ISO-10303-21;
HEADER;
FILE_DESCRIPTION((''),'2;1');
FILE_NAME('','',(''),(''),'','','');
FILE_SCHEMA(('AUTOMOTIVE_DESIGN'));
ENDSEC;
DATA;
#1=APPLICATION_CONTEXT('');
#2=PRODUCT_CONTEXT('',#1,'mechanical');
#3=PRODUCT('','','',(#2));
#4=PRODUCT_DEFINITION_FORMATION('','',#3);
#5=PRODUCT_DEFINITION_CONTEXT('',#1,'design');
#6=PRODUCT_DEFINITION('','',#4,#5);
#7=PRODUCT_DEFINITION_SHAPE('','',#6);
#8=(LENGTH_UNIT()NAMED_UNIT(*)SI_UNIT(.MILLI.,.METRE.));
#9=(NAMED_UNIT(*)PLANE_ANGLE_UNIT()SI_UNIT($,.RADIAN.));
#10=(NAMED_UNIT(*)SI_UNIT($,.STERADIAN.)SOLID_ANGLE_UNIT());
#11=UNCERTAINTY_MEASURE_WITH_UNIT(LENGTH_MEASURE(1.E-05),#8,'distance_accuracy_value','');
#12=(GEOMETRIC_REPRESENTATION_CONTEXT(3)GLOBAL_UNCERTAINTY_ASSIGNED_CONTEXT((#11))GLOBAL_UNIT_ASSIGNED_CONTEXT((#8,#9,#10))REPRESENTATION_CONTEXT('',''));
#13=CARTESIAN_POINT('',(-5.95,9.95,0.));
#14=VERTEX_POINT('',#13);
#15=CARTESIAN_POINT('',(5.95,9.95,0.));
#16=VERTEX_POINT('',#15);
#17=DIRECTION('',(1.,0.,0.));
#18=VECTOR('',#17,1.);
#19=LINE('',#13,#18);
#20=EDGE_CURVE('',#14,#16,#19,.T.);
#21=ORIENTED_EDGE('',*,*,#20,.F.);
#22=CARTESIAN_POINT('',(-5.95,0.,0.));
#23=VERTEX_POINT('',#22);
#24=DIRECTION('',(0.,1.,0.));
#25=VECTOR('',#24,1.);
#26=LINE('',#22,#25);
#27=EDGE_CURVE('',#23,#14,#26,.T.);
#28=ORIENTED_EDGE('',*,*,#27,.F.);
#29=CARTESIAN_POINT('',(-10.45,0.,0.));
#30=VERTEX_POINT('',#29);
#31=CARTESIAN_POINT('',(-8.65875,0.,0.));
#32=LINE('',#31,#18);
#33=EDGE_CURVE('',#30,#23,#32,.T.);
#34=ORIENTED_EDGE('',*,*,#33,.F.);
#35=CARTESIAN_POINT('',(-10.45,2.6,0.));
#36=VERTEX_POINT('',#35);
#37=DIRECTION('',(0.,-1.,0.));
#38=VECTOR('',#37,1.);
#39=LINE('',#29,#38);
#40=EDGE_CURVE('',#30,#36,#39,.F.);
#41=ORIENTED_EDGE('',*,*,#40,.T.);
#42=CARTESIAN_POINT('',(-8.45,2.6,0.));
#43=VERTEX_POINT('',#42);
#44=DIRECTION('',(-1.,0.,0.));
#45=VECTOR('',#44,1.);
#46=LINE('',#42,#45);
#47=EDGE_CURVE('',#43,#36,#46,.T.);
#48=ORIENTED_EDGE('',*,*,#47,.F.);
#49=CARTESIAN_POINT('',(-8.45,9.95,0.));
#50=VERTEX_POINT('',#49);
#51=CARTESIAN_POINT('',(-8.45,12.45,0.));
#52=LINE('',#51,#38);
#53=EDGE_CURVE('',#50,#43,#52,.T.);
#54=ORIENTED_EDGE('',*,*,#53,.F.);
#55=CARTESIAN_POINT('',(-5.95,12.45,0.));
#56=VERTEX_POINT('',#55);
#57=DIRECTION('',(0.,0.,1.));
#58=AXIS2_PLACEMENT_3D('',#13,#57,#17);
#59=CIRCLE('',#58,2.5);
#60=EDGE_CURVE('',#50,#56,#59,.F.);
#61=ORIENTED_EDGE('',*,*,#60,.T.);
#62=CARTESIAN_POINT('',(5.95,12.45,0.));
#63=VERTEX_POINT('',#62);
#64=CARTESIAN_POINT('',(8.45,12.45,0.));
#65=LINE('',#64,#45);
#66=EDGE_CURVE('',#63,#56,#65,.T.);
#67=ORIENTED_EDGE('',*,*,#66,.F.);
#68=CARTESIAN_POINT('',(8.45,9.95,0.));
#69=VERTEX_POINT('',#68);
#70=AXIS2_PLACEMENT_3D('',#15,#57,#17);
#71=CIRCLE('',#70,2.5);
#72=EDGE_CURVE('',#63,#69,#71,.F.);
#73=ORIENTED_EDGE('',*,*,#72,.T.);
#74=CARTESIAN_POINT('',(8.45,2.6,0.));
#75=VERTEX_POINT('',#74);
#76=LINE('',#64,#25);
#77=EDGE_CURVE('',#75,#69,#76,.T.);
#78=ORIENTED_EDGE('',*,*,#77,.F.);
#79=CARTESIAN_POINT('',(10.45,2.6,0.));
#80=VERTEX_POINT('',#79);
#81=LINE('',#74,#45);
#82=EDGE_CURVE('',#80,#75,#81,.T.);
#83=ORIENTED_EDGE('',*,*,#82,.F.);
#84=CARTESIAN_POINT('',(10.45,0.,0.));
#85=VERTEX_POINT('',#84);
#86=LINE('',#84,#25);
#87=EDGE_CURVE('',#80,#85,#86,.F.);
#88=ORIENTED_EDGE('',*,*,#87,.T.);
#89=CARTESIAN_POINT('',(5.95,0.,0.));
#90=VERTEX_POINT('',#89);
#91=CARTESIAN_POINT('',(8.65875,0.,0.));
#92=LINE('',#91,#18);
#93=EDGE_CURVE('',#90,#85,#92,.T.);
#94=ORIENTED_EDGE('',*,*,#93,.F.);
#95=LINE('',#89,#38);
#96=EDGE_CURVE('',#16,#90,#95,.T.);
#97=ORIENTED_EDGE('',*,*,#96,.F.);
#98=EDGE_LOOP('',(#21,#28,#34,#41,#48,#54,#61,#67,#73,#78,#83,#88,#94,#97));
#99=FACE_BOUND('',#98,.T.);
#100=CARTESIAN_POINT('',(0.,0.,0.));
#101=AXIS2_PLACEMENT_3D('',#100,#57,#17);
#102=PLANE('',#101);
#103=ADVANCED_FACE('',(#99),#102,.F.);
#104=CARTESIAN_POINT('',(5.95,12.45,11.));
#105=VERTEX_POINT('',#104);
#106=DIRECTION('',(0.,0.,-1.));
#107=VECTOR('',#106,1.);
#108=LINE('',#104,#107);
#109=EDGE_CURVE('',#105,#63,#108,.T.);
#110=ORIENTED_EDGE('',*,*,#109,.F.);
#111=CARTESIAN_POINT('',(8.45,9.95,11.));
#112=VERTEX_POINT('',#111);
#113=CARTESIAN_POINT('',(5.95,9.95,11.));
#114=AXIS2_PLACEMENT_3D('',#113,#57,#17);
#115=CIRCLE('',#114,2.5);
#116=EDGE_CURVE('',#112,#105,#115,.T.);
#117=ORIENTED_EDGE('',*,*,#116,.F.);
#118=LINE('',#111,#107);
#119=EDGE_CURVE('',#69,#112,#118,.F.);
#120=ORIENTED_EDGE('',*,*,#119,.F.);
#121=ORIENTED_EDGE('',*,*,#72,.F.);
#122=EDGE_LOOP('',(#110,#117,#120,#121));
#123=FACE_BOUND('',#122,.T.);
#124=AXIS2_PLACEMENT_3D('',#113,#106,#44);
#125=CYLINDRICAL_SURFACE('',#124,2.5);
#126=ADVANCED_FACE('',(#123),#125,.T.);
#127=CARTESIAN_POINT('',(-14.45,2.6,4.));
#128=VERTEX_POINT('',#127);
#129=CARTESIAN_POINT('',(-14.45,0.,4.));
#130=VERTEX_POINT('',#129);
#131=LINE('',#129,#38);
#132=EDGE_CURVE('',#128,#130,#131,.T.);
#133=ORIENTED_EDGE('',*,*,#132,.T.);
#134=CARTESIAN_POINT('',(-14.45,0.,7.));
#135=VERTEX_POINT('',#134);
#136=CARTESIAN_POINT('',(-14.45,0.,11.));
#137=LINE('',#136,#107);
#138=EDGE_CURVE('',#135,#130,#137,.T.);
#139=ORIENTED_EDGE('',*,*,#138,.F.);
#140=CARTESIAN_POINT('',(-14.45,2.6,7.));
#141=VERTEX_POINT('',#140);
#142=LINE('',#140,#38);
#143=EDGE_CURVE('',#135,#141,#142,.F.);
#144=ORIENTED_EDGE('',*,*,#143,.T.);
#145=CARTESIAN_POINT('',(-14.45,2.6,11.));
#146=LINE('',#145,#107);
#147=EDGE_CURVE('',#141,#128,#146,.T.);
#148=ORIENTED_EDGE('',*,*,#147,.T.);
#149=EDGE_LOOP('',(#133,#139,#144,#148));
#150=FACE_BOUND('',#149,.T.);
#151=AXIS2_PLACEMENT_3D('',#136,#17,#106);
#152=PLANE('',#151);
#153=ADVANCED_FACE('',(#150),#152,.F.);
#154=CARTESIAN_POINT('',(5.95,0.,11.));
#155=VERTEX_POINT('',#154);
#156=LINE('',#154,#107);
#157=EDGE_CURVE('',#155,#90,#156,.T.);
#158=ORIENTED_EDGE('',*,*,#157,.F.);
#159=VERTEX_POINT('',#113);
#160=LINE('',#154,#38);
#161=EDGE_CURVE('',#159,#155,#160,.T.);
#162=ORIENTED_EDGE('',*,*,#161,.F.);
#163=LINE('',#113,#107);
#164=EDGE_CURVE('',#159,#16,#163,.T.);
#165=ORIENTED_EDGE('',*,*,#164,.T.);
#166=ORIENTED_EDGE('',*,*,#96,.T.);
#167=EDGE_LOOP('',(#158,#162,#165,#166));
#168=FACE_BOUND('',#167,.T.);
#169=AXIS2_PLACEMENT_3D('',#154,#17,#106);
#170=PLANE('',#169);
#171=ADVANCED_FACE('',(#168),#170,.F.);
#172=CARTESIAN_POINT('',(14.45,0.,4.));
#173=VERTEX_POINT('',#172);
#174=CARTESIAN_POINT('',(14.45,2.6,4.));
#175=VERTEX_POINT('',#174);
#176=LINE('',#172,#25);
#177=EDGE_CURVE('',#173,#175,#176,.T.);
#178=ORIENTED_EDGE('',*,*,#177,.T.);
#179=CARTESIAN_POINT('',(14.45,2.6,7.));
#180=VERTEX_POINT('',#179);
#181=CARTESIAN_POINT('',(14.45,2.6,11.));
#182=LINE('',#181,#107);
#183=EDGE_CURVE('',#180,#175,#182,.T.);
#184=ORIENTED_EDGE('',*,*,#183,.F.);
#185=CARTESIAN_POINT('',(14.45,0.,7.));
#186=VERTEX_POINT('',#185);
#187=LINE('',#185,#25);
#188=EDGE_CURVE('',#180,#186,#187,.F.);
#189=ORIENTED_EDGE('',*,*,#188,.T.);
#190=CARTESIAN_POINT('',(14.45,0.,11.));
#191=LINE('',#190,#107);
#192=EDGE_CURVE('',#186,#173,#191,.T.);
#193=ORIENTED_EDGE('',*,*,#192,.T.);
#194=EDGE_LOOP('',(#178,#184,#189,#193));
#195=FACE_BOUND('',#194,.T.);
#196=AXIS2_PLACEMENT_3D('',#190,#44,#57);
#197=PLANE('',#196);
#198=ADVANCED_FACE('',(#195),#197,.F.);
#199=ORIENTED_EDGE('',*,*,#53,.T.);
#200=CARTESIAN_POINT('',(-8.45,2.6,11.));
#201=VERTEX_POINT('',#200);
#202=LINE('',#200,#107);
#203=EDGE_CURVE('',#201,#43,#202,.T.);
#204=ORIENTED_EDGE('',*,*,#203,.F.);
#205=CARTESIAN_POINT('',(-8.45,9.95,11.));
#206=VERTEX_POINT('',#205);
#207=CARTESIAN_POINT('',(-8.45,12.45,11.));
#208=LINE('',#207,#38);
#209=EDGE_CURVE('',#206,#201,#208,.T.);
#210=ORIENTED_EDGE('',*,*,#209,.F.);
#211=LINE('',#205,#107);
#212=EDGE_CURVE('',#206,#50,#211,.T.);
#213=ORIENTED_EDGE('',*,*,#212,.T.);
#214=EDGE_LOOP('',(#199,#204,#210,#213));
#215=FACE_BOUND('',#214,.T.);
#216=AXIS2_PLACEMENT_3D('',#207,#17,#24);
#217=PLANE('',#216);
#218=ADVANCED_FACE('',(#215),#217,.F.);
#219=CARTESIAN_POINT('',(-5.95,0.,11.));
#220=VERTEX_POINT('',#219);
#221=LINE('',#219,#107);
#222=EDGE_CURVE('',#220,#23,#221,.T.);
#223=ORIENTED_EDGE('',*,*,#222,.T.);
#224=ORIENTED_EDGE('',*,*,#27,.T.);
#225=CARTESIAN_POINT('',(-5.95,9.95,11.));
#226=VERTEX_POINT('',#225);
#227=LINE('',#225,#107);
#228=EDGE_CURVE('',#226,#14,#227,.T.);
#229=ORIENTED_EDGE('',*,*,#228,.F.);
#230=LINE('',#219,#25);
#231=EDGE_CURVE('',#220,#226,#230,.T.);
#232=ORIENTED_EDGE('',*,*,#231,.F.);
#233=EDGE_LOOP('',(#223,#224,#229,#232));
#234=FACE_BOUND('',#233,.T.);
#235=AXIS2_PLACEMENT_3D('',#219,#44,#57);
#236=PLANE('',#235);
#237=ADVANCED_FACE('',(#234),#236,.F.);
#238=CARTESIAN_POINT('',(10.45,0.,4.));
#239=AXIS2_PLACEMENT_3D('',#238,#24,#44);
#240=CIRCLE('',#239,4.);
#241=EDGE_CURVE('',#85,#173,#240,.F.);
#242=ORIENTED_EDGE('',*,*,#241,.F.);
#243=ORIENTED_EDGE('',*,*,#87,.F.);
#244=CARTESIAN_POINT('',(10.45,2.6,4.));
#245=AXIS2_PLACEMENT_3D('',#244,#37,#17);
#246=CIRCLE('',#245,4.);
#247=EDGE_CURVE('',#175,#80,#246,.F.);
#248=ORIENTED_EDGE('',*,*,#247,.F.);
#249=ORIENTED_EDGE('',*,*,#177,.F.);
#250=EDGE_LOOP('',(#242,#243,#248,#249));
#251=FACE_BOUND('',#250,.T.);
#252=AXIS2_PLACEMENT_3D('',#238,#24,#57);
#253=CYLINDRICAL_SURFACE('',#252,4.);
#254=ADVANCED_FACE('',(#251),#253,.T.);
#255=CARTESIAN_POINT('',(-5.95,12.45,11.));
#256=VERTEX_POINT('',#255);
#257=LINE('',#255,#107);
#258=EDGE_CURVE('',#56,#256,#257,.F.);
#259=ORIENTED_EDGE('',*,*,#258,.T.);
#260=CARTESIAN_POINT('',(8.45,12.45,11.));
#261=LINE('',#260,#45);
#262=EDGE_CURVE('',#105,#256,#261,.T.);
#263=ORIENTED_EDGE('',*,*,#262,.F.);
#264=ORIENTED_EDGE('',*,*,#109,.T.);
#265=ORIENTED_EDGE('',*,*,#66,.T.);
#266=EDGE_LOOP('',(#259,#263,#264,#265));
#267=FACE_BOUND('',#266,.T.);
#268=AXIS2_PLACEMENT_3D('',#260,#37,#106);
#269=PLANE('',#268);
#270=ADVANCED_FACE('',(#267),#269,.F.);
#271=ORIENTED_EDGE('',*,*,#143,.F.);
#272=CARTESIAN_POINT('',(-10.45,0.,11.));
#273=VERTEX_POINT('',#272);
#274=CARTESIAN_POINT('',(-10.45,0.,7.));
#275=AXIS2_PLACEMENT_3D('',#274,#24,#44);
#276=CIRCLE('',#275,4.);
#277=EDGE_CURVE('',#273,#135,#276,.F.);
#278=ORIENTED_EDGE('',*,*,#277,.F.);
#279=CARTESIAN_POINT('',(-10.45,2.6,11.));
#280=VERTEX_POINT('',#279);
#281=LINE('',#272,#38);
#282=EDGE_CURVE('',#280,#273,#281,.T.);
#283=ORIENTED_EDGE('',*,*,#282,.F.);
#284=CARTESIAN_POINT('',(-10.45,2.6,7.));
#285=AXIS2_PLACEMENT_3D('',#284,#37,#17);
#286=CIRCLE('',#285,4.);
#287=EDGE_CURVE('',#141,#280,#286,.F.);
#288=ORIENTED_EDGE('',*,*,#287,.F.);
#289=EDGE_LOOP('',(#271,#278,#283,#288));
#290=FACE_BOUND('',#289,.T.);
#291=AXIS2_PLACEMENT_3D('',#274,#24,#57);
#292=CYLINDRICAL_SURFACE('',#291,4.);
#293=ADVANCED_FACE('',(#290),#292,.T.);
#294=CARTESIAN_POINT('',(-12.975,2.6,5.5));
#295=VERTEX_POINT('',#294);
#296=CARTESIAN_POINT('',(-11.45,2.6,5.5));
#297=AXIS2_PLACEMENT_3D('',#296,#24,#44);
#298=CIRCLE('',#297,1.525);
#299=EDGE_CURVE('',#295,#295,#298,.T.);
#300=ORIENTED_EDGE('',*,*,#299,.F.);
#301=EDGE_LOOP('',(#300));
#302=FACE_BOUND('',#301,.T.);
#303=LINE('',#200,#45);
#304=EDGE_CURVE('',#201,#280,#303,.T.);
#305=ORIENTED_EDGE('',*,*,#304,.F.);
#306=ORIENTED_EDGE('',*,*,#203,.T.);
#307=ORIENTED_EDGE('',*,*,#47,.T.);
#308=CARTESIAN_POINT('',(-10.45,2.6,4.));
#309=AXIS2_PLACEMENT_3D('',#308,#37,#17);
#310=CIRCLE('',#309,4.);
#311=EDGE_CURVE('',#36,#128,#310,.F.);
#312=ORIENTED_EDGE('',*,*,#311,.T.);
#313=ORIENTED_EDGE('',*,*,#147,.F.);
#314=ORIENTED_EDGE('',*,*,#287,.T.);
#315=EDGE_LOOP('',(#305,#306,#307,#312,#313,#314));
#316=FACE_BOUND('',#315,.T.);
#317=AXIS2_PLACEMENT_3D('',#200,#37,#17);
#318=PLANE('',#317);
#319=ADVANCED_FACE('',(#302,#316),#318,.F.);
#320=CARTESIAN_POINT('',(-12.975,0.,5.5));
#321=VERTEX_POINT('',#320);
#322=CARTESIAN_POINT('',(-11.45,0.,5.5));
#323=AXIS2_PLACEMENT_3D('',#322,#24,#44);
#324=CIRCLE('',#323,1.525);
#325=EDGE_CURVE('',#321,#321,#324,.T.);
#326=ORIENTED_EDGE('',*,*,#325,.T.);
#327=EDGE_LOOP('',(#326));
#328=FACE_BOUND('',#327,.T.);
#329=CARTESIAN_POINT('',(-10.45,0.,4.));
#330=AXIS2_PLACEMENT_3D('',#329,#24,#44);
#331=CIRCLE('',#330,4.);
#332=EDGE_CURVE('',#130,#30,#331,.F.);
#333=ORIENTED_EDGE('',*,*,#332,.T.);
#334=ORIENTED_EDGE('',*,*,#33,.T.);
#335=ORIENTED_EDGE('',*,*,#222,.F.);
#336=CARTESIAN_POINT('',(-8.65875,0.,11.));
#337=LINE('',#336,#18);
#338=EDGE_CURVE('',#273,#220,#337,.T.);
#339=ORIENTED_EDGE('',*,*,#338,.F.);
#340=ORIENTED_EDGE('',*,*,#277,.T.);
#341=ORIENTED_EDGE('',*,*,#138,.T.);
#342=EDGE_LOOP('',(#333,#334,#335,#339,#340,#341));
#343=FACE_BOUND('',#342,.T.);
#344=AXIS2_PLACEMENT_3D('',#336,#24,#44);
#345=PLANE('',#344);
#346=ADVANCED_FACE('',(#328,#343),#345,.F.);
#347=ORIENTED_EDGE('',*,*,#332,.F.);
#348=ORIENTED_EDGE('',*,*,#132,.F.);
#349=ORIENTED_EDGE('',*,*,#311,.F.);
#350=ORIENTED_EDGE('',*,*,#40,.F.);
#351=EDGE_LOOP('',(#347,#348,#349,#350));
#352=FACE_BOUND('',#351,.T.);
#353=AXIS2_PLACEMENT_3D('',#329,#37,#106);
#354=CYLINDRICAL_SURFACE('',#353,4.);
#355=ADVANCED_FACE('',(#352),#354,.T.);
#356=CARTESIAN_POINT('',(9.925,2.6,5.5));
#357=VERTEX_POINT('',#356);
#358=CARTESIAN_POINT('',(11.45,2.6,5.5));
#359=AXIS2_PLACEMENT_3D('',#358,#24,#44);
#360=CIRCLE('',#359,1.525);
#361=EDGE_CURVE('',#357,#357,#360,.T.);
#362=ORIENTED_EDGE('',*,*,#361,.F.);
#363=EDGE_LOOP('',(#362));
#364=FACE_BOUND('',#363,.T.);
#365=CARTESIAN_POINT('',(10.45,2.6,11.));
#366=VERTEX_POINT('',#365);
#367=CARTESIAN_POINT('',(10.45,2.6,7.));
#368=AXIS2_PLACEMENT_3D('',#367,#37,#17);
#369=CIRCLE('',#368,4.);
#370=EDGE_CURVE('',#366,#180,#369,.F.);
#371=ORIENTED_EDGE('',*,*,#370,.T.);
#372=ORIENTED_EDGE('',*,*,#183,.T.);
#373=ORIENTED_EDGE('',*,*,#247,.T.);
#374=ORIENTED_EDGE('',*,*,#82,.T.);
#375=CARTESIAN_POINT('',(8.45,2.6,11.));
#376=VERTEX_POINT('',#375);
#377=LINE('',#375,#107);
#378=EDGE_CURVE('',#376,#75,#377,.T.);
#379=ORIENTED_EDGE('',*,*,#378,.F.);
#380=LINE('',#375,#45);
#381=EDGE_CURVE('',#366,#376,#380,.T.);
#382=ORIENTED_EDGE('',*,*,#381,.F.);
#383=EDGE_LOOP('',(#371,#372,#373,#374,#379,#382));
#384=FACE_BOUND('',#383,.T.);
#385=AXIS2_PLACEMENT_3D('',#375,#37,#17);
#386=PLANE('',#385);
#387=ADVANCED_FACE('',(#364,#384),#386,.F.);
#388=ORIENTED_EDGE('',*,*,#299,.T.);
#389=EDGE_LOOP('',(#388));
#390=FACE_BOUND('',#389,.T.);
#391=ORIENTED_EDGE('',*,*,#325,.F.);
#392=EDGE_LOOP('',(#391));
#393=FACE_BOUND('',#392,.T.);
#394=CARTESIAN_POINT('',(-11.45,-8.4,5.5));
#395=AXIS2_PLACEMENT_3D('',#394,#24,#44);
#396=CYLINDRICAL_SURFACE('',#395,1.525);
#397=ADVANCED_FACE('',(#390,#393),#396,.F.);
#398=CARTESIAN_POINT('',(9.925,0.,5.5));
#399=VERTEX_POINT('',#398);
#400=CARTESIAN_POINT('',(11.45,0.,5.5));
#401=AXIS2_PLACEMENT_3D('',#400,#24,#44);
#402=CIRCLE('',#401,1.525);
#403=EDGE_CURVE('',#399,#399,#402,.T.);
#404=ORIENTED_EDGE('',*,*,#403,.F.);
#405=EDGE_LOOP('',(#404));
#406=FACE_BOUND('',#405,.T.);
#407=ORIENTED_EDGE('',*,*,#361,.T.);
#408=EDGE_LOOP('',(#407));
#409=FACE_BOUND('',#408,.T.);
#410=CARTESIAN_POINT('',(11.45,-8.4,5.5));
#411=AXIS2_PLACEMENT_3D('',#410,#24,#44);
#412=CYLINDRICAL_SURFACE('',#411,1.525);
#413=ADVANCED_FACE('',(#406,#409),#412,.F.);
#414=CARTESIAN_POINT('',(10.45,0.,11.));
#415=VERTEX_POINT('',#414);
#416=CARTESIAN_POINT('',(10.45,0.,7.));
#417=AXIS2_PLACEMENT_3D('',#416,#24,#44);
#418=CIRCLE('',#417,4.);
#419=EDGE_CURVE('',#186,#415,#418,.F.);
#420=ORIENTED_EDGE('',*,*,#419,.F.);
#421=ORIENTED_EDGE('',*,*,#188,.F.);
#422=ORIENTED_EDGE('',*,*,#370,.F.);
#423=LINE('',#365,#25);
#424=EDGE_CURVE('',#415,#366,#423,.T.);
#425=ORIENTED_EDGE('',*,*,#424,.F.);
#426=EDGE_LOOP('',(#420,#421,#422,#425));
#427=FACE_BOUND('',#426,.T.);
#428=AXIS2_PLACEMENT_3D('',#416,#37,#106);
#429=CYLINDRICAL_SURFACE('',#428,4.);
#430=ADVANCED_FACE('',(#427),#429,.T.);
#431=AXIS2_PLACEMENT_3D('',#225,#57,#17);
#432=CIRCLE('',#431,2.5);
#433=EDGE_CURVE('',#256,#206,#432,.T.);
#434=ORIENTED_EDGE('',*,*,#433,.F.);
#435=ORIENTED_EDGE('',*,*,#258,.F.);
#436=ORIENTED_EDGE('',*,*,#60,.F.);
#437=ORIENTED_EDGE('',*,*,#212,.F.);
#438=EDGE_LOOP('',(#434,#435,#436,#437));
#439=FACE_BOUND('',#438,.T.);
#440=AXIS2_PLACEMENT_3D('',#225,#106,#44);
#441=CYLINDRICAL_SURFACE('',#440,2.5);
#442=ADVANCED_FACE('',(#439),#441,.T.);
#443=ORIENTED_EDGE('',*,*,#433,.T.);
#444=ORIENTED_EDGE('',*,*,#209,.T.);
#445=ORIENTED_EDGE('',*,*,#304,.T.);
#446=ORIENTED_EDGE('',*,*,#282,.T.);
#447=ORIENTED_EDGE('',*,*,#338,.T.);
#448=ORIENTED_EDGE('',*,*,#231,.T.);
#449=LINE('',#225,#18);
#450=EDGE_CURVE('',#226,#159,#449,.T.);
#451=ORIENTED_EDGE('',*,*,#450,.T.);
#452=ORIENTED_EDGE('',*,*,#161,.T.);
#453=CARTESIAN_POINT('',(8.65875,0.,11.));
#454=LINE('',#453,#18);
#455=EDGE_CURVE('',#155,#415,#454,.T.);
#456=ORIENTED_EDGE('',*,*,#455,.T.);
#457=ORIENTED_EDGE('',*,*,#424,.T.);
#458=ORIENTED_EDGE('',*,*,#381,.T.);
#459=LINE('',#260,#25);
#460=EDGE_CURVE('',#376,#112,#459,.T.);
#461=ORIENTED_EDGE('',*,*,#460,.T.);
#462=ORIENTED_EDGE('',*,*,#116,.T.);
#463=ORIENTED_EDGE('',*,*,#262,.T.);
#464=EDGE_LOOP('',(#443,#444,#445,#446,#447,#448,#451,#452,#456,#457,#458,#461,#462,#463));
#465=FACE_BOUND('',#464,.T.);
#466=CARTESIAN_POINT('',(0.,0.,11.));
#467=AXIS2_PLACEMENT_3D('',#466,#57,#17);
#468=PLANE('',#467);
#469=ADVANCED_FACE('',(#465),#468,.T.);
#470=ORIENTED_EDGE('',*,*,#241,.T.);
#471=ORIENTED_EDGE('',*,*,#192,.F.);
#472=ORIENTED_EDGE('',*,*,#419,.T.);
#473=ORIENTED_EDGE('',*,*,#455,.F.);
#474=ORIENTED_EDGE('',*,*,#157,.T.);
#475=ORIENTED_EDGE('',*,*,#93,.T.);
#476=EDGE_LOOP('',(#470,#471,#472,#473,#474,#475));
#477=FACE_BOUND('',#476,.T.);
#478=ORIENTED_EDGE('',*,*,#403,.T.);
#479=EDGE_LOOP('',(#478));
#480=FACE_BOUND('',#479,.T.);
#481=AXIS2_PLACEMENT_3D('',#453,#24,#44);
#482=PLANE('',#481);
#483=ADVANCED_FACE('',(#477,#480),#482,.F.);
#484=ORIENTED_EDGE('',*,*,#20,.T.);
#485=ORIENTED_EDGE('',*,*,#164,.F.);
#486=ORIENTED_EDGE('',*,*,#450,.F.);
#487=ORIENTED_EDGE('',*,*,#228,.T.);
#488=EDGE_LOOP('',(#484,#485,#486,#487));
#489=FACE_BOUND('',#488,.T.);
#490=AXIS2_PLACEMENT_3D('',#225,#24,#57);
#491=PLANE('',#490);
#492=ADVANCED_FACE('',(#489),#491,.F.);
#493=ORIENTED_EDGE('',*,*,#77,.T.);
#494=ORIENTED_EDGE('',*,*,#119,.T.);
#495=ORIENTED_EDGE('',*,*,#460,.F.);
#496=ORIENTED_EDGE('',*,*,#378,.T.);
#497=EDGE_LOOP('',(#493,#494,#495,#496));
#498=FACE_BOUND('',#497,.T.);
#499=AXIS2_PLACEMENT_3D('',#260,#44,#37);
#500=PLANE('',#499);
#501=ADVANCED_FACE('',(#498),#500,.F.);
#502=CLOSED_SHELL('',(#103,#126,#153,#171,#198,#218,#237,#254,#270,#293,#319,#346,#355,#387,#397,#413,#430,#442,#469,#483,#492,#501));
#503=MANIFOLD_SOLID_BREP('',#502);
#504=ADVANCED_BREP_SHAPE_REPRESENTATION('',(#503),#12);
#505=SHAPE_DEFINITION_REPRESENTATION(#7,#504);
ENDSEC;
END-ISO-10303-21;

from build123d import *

# Parameters (mm, degrees)
BOSS_EXTRUDE1_DEPTH = 11
FILLET1_R           = 4
FILLET2_R           = 2.5
SKETCH2_R           = 1.525
CUT_EXTRUDE1_DEPTH  = 11


with BuildPart() as part:
    # Sketch1 → Boss-Extrude1 (new body)
    with BuildSketch(Plane.XY):
        Polygon((-5.95, 0), (-5.95, 9.95), (5.95, 9.95), (5.95, 0), (8.65875, 0), (14.45, 0), (14.45, 2.6), (8.45, 2.6), (8.45, 12.45), (-8.45, 12.45), (-8.45, 2.6), (-14.45, 2.6), (-14.45, 0), (-8.65875, 0), align=None)
    extrude(amount=BOSS_EXTRUDE1_DEPTH)

    # Fillet1
    fillet1_edges = [part.edges().sort_by_distance(p)[0] for p in [
        (-14.45, 1.3, 0),
        (14.45, 1.3, 0),
        (14.45, 1.3, 11),
        (-14.45, 1.3, 11),
    ]]
    fillet(fillet1_edges, radius=FILLET1_R)

    # Fillet2
    fillet2_edges = [part.edges().sort_by_distance(p)[0] for p in [
        (-8.45, 12.45, 5.5),
        (8.45, 12.45, 5.5),
    ]]
    fillet(fillet2_edges, radius=FILLET2_R)

    # Sketch2 → Cut-Extrude1 (cut)
    with BuildSketch(Plane(origin=(0, 2.6, 0), x_dir=(1, 0, 0), z_dir=(0, 1, 0))):
        with Locations(Location((-11.45, -5.5, 0), (0, 0, 180))):
            Circle(SKETCH2_R)
        with Locations(Location((11.45, -5.5, 0), (0, 0, 180))):
            Circle(SKETCH2_R)
    extrude(amount=-CUT_EXTRUDE1_DEPTH, mode=Mode.SUBTRACT)


solid = part.part
